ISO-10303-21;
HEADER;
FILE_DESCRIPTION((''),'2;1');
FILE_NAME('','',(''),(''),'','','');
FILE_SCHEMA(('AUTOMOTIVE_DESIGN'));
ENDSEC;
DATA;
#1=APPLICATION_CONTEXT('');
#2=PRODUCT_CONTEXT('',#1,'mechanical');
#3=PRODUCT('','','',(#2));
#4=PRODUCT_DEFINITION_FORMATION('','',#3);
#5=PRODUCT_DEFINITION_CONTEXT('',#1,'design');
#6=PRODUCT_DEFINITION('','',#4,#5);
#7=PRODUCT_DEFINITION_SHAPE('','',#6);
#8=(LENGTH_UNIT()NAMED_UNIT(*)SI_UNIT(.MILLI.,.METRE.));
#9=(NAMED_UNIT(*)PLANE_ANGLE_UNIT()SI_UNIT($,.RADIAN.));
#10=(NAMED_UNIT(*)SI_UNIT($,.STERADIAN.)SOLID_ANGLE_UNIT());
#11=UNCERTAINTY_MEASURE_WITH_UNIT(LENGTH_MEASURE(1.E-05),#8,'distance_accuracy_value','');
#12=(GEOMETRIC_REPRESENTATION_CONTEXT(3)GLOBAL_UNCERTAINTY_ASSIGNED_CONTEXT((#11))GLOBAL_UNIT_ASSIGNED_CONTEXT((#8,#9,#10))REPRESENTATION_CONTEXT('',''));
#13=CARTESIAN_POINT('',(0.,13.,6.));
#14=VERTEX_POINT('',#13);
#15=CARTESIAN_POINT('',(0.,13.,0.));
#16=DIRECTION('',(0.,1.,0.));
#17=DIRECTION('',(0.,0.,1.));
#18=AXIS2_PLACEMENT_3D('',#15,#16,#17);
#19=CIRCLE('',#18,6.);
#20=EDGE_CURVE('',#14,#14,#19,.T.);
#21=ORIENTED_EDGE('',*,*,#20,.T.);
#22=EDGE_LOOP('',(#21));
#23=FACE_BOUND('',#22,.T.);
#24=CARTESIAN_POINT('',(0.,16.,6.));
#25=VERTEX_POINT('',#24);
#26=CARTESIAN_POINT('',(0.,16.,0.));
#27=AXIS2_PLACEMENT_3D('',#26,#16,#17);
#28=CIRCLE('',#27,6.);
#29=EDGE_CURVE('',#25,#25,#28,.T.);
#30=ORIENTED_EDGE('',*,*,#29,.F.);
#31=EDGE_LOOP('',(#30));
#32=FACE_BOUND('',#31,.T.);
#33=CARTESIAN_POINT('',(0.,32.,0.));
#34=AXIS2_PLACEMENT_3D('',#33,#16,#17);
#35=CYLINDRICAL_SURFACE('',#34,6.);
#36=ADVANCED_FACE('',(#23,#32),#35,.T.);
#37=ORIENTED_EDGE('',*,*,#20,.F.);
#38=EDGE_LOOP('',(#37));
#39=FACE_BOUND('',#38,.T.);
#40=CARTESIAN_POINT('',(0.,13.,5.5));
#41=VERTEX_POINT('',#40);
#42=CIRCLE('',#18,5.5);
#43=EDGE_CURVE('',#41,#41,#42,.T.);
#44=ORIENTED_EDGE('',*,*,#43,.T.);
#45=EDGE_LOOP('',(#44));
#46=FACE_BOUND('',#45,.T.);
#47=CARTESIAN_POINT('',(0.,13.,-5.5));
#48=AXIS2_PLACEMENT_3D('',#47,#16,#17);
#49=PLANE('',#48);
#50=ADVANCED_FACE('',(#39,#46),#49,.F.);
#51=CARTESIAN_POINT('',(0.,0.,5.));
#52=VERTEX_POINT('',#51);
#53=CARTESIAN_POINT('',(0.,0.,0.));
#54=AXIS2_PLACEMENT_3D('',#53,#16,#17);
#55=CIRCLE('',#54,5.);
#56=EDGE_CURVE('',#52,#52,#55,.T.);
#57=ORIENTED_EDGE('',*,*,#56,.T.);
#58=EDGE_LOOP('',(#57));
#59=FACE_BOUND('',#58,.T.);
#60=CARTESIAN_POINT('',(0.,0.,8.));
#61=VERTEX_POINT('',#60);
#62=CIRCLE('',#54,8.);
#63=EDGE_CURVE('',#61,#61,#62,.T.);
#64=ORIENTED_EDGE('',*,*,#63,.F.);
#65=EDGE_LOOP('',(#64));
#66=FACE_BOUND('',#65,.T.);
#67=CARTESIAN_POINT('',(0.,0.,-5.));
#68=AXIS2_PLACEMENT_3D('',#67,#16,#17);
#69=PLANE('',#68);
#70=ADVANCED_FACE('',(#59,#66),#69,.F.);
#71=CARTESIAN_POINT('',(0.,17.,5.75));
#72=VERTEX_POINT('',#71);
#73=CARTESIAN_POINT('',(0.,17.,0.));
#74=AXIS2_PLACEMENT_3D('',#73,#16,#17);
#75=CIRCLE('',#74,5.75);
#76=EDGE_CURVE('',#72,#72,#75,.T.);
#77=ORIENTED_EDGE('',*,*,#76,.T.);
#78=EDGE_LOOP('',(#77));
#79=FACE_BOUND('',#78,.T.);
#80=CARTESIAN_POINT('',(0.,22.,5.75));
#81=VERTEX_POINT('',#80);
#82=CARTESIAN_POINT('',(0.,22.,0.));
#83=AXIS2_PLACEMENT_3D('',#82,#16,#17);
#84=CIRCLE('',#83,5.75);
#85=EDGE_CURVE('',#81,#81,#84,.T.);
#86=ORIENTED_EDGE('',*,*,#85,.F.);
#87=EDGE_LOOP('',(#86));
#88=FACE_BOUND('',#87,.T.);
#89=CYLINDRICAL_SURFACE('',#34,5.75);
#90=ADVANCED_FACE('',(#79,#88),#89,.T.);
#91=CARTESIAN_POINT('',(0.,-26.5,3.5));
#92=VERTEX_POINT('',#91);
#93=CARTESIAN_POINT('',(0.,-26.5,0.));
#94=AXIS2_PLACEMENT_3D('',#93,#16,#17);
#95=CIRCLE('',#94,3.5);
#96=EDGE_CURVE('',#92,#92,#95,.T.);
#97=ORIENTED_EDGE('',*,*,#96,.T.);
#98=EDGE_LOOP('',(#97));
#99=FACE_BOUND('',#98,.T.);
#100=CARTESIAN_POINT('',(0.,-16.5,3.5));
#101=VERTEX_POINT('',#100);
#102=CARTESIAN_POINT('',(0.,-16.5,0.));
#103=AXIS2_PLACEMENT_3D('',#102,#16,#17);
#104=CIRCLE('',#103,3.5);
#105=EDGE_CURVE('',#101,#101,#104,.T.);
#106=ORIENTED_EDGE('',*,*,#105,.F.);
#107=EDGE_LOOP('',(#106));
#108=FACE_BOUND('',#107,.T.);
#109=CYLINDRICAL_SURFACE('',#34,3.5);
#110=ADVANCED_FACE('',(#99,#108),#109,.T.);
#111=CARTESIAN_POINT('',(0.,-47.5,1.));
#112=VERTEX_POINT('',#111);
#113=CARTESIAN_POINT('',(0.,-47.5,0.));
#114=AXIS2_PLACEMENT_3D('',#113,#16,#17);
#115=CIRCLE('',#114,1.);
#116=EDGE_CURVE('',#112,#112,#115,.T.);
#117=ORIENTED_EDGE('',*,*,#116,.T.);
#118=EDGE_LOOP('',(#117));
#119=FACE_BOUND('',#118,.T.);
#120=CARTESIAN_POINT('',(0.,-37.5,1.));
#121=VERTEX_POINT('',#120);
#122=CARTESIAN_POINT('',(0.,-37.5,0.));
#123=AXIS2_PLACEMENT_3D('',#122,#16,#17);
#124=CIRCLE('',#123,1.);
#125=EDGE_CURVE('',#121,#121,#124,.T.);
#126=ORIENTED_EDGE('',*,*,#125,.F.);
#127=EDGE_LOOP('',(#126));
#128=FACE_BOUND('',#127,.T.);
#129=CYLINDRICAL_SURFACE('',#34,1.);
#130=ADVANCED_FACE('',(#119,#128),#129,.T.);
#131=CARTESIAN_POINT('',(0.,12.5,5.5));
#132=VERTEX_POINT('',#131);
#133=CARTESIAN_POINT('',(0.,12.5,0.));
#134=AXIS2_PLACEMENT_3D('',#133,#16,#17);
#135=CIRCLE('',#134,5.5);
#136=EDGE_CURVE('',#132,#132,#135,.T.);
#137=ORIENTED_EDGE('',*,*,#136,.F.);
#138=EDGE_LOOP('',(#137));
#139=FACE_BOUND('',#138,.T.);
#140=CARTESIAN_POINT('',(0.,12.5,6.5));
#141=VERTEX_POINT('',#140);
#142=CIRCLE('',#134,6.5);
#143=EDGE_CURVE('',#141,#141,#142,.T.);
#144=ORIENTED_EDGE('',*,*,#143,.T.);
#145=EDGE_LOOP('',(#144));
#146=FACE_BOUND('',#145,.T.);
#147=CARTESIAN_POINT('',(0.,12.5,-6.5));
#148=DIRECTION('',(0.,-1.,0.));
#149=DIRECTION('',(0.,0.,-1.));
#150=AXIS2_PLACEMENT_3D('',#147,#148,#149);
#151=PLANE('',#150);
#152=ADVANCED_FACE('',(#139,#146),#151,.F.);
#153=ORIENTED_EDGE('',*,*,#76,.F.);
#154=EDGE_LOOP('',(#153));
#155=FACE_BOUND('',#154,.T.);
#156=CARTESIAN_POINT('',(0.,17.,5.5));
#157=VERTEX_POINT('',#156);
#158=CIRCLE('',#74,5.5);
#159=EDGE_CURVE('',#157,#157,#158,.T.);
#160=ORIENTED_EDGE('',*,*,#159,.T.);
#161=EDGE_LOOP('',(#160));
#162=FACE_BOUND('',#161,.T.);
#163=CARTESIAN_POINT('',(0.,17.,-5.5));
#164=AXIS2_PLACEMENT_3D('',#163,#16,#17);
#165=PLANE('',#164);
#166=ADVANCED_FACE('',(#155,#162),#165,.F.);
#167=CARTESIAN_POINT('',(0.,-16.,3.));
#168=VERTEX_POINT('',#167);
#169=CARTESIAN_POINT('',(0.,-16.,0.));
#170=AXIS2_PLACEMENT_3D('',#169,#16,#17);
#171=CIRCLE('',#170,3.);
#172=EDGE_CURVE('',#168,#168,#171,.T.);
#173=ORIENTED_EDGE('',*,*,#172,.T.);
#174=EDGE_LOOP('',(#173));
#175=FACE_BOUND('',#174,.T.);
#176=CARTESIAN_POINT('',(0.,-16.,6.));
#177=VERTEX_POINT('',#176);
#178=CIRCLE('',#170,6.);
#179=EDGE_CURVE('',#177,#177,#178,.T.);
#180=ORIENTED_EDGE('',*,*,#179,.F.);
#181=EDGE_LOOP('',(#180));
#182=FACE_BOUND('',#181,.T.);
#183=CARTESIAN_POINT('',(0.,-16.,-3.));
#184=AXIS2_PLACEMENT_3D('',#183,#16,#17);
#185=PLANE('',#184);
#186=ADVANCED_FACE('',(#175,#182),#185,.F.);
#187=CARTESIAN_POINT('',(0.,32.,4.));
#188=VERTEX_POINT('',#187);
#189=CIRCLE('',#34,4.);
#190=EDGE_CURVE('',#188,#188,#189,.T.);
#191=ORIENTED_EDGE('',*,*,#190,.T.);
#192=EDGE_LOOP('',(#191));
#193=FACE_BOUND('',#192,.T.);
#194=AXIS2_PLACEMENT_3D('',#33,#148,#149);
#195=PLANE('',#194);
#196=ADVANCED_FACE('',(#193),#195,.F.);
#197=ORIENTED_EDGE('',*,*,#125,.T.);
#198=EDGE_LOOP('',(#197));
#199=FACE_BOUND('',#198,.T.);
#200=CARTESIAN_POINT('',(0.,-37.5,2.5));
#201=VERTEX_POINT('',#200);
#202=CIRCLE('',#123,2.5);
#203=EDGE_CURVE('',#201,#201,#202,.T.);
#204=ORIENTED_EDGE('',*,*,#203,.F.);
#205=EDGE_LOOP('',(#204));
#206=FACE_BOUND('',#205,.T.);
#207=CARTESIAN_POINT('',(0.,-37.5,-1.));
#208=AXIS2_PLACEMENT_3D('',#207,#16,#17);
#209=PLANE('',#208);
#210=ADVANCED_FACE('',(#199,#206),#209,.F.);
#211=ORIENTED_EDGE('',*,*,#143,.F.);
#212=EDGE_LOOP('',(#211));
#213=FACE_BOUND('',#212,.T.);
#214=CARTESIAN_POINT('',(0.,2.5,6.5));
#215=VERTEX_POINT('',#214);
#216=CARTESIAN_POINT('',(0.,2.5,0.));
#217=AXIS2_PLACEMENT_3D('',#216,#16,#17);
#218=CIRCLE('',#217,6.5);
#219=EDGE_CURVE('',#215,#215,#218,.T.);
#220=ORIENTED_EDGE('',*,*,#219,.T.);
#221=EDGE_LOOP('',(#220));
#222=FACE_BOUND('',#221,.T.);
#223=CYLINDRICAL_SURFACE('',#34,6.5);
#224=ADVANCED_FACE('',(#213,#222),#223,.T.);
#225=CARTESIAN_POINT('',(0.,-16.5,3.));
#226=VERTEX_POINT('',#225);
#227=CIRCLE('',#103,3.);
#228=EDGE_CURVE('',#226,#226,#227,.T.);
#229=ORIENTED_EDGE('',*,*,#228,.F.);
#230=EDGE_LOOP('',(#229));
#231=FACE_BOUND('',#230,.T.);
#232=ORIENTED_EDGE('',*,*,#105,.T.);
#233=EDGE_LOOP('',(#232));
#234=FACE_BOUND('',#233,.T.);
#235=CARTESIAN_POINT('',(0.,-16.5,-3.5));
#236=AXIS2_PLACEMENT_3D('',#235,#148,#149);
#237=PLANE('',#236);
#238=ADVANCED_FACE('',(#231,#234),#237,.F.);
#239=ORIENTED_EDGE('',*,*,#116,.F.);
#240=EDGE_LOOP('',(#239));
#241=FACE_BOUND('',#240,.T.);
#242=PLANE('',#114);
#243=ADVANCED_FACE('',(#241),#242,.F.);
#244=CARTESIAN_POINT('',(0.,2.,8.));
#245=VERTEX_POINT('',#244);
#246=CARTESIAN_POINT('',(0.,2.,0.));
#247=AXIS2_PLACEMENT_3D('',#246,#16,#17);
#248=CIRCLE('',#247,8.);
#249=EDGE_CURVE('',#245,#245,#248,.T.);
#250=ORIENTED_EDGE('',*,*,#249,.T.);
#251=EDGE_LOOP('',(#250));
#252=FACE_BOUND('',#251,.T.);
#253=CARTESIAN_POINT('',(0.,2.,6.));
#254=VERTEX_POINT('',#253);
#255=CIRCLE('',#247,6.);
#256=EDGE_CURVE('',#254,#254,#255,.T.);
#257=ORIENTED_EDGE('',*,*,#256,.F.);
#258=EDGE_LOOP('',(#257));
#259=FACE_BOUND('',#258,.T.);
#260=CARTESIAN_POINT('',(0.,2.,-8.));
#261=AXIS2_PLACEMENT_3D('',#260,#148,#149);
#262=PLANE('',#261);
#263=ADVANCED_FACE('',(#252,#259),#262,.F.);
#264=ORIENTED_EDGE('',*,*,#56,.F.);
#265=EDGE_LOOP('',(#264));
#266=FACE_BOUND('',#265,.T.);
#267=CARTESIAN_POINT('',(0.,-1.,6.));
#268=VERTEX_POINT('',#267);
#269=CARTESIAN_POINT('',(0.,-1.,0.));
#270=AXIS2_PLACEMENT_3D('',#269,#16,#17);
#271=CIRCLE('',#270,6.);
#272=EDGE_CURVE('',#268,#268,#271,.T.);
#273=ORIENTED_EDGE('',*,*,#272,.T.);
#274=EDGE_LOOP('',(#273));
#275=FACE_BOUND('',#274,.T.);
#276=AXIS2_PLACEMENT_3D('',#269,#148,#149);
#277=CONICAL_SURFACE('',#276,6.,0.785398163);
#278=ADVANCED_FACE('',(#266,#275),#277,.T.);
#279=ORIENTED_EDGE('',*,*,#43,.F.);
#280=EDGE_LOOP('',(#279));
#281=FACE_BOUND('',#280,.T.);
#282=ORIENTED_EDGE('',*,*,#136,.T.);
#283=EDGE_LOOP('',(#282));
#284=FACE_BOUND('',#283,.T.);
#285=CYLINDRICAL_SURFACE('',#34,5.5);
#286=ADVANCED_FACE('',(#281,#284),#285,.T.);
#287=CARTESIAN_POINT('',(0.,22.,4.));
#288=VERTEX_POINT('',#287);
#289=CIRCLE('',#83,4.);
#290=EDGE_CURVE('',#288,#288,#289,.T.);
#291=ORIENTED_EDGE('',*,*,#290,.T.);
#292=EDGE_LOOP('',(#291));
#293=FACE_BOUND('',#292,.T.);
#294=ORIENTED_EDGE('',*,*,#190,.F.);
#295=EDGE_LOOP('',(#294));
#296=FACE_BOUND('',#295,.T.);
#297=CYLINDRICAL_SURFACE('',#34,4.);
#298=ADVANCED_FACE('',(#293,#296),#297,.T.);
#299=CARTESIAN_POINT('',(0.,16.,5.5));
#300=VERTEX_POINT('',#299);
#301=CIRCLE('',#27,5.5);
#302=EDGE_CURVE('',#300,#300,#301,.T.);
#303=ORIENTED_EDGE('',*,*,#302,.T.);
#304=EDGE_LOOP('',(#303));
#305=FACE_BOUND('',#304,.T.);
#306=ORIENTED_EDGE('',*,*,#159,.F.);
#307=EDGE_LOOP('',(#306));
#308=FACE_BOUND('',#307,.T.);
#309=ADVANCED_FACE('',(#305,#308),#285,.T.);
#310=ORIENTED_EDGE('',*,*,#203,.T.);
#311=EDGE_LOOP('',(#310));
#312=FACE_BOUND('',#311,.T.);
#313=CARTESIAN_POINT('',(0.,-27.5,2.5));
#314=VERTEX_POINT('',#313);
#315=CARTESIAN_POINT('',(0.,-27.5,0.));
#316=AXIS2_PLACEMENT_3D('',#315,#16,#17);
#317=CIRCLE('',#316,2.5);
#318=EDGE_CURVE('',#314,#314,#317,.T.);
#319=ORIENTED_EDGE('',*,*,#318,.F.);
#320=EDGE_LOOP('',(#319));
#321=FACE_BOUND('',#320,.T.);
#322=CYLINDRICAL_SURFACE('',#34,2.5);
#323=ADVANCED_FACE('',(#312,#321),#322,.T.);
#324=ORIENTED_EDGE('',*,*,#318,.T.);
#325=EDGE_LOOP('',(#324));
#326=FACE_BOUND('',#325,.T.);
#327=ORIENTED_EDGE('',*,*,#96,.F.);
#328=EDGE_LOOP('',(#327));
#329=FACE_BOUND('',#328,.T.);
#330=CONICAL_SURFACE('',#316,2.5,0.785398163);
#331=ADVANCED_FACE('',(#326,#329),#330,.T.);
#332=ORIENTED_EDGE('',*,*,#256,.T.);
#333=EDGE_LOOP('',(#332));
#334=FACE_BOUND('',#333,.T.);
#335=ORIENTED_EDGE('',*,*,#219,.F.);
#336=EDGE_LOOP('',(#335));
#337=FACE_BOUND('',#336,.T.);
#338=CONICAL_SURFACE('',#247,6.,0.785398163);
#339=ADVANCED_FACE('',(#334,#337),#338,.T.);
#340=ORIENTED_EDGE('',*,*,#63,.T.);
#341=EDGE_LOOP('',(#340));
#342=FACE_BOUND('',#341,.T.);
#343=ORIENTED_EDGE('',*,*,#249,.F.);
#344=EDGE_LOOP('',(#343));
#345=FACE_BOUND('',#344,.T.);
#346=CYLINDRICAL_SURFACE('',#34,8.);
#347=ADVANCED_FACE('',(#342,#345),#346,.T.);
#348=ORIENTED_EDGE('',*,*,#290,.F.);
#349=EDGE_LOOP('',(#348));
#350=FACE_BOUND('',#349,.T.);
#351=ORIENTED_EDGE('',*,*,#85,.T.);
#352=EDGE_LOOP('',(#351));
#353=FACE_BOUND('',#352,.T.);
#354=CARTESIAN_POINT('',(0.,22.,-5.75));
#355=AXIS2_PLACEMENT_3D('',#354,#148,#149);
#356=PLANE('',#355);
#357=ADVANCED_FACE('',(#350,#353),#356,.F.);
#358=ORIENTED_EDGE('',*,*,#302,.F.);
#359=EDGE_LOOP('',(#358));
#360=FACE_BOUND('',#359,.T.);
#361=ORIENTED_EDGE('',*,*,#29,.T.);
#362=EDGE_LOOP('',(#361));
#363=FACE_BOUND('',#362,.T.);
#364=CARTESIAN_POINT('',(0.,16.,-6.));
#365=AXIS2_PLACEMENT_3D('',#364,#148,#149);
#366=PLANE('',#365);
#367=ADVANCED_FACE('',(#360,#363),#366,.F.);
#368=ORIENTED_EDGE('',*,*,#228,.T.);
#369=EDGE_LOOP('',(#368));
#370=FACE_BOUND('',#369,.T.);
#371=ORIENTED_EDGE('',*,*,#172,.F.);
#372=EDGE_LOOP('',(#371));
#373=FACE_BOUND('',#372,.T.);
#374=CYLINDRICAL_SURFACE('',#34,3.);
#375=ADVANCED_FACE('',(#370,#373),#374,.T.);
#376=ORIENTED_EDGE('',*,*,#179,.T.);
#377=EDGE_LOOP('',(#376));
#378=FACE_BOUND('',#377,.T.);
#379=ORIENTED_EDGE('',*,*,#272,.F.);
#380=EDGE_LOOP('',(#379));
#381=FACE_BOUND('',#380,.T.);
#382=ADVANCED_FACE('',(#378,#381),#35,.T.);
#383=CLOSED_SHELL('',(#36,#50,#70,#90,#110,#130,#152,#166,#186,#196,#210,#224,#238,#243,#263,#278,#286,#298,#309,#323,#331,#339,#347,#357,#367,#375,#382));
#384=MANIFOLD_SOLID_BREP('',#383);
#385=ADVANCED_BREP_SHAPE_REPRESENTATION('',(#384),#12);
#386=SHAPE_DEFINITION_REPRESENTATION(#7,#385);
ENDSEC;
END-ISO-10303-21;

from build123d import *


with BuildPart() as part:
    # Sketch1 → Revolve1 (revolve)
    with BuildSketch(Plane(origin=(0, 0, 0), x_dir=(0, 0, -1), z_dir=(1, 0, 0)), mode=Mode.PRIVATE) as revolve1_sk:
        Polygon((0, 32), (0, -47.5), (1, -47.5), (1, -37.5), (2.5, -37.5), (2.5, -27.5), (3.5, -26.5), (3.5, -16.5), (3, -16.5), (3, -16), (6, -16), (6, -1), (5, 0), (8, 0), (8, 2), (6, 2), (6.5, 2.5), (6.5, 12.5), (5.5, 12.5), (5.5, 13), (6, 13), (6, 16), (5.5, 16), (5.5, 17), (5.75, 17), (5.75, 22), (4, 22), (4, 32), align=None)
    revolve(revolve1_sk.sketch.rotate(Axis((0, 32, 0), (0, -1, 0)), 180), axis=Axis((0, 32, 0), (0, -1, 0)))


solid = part.part
